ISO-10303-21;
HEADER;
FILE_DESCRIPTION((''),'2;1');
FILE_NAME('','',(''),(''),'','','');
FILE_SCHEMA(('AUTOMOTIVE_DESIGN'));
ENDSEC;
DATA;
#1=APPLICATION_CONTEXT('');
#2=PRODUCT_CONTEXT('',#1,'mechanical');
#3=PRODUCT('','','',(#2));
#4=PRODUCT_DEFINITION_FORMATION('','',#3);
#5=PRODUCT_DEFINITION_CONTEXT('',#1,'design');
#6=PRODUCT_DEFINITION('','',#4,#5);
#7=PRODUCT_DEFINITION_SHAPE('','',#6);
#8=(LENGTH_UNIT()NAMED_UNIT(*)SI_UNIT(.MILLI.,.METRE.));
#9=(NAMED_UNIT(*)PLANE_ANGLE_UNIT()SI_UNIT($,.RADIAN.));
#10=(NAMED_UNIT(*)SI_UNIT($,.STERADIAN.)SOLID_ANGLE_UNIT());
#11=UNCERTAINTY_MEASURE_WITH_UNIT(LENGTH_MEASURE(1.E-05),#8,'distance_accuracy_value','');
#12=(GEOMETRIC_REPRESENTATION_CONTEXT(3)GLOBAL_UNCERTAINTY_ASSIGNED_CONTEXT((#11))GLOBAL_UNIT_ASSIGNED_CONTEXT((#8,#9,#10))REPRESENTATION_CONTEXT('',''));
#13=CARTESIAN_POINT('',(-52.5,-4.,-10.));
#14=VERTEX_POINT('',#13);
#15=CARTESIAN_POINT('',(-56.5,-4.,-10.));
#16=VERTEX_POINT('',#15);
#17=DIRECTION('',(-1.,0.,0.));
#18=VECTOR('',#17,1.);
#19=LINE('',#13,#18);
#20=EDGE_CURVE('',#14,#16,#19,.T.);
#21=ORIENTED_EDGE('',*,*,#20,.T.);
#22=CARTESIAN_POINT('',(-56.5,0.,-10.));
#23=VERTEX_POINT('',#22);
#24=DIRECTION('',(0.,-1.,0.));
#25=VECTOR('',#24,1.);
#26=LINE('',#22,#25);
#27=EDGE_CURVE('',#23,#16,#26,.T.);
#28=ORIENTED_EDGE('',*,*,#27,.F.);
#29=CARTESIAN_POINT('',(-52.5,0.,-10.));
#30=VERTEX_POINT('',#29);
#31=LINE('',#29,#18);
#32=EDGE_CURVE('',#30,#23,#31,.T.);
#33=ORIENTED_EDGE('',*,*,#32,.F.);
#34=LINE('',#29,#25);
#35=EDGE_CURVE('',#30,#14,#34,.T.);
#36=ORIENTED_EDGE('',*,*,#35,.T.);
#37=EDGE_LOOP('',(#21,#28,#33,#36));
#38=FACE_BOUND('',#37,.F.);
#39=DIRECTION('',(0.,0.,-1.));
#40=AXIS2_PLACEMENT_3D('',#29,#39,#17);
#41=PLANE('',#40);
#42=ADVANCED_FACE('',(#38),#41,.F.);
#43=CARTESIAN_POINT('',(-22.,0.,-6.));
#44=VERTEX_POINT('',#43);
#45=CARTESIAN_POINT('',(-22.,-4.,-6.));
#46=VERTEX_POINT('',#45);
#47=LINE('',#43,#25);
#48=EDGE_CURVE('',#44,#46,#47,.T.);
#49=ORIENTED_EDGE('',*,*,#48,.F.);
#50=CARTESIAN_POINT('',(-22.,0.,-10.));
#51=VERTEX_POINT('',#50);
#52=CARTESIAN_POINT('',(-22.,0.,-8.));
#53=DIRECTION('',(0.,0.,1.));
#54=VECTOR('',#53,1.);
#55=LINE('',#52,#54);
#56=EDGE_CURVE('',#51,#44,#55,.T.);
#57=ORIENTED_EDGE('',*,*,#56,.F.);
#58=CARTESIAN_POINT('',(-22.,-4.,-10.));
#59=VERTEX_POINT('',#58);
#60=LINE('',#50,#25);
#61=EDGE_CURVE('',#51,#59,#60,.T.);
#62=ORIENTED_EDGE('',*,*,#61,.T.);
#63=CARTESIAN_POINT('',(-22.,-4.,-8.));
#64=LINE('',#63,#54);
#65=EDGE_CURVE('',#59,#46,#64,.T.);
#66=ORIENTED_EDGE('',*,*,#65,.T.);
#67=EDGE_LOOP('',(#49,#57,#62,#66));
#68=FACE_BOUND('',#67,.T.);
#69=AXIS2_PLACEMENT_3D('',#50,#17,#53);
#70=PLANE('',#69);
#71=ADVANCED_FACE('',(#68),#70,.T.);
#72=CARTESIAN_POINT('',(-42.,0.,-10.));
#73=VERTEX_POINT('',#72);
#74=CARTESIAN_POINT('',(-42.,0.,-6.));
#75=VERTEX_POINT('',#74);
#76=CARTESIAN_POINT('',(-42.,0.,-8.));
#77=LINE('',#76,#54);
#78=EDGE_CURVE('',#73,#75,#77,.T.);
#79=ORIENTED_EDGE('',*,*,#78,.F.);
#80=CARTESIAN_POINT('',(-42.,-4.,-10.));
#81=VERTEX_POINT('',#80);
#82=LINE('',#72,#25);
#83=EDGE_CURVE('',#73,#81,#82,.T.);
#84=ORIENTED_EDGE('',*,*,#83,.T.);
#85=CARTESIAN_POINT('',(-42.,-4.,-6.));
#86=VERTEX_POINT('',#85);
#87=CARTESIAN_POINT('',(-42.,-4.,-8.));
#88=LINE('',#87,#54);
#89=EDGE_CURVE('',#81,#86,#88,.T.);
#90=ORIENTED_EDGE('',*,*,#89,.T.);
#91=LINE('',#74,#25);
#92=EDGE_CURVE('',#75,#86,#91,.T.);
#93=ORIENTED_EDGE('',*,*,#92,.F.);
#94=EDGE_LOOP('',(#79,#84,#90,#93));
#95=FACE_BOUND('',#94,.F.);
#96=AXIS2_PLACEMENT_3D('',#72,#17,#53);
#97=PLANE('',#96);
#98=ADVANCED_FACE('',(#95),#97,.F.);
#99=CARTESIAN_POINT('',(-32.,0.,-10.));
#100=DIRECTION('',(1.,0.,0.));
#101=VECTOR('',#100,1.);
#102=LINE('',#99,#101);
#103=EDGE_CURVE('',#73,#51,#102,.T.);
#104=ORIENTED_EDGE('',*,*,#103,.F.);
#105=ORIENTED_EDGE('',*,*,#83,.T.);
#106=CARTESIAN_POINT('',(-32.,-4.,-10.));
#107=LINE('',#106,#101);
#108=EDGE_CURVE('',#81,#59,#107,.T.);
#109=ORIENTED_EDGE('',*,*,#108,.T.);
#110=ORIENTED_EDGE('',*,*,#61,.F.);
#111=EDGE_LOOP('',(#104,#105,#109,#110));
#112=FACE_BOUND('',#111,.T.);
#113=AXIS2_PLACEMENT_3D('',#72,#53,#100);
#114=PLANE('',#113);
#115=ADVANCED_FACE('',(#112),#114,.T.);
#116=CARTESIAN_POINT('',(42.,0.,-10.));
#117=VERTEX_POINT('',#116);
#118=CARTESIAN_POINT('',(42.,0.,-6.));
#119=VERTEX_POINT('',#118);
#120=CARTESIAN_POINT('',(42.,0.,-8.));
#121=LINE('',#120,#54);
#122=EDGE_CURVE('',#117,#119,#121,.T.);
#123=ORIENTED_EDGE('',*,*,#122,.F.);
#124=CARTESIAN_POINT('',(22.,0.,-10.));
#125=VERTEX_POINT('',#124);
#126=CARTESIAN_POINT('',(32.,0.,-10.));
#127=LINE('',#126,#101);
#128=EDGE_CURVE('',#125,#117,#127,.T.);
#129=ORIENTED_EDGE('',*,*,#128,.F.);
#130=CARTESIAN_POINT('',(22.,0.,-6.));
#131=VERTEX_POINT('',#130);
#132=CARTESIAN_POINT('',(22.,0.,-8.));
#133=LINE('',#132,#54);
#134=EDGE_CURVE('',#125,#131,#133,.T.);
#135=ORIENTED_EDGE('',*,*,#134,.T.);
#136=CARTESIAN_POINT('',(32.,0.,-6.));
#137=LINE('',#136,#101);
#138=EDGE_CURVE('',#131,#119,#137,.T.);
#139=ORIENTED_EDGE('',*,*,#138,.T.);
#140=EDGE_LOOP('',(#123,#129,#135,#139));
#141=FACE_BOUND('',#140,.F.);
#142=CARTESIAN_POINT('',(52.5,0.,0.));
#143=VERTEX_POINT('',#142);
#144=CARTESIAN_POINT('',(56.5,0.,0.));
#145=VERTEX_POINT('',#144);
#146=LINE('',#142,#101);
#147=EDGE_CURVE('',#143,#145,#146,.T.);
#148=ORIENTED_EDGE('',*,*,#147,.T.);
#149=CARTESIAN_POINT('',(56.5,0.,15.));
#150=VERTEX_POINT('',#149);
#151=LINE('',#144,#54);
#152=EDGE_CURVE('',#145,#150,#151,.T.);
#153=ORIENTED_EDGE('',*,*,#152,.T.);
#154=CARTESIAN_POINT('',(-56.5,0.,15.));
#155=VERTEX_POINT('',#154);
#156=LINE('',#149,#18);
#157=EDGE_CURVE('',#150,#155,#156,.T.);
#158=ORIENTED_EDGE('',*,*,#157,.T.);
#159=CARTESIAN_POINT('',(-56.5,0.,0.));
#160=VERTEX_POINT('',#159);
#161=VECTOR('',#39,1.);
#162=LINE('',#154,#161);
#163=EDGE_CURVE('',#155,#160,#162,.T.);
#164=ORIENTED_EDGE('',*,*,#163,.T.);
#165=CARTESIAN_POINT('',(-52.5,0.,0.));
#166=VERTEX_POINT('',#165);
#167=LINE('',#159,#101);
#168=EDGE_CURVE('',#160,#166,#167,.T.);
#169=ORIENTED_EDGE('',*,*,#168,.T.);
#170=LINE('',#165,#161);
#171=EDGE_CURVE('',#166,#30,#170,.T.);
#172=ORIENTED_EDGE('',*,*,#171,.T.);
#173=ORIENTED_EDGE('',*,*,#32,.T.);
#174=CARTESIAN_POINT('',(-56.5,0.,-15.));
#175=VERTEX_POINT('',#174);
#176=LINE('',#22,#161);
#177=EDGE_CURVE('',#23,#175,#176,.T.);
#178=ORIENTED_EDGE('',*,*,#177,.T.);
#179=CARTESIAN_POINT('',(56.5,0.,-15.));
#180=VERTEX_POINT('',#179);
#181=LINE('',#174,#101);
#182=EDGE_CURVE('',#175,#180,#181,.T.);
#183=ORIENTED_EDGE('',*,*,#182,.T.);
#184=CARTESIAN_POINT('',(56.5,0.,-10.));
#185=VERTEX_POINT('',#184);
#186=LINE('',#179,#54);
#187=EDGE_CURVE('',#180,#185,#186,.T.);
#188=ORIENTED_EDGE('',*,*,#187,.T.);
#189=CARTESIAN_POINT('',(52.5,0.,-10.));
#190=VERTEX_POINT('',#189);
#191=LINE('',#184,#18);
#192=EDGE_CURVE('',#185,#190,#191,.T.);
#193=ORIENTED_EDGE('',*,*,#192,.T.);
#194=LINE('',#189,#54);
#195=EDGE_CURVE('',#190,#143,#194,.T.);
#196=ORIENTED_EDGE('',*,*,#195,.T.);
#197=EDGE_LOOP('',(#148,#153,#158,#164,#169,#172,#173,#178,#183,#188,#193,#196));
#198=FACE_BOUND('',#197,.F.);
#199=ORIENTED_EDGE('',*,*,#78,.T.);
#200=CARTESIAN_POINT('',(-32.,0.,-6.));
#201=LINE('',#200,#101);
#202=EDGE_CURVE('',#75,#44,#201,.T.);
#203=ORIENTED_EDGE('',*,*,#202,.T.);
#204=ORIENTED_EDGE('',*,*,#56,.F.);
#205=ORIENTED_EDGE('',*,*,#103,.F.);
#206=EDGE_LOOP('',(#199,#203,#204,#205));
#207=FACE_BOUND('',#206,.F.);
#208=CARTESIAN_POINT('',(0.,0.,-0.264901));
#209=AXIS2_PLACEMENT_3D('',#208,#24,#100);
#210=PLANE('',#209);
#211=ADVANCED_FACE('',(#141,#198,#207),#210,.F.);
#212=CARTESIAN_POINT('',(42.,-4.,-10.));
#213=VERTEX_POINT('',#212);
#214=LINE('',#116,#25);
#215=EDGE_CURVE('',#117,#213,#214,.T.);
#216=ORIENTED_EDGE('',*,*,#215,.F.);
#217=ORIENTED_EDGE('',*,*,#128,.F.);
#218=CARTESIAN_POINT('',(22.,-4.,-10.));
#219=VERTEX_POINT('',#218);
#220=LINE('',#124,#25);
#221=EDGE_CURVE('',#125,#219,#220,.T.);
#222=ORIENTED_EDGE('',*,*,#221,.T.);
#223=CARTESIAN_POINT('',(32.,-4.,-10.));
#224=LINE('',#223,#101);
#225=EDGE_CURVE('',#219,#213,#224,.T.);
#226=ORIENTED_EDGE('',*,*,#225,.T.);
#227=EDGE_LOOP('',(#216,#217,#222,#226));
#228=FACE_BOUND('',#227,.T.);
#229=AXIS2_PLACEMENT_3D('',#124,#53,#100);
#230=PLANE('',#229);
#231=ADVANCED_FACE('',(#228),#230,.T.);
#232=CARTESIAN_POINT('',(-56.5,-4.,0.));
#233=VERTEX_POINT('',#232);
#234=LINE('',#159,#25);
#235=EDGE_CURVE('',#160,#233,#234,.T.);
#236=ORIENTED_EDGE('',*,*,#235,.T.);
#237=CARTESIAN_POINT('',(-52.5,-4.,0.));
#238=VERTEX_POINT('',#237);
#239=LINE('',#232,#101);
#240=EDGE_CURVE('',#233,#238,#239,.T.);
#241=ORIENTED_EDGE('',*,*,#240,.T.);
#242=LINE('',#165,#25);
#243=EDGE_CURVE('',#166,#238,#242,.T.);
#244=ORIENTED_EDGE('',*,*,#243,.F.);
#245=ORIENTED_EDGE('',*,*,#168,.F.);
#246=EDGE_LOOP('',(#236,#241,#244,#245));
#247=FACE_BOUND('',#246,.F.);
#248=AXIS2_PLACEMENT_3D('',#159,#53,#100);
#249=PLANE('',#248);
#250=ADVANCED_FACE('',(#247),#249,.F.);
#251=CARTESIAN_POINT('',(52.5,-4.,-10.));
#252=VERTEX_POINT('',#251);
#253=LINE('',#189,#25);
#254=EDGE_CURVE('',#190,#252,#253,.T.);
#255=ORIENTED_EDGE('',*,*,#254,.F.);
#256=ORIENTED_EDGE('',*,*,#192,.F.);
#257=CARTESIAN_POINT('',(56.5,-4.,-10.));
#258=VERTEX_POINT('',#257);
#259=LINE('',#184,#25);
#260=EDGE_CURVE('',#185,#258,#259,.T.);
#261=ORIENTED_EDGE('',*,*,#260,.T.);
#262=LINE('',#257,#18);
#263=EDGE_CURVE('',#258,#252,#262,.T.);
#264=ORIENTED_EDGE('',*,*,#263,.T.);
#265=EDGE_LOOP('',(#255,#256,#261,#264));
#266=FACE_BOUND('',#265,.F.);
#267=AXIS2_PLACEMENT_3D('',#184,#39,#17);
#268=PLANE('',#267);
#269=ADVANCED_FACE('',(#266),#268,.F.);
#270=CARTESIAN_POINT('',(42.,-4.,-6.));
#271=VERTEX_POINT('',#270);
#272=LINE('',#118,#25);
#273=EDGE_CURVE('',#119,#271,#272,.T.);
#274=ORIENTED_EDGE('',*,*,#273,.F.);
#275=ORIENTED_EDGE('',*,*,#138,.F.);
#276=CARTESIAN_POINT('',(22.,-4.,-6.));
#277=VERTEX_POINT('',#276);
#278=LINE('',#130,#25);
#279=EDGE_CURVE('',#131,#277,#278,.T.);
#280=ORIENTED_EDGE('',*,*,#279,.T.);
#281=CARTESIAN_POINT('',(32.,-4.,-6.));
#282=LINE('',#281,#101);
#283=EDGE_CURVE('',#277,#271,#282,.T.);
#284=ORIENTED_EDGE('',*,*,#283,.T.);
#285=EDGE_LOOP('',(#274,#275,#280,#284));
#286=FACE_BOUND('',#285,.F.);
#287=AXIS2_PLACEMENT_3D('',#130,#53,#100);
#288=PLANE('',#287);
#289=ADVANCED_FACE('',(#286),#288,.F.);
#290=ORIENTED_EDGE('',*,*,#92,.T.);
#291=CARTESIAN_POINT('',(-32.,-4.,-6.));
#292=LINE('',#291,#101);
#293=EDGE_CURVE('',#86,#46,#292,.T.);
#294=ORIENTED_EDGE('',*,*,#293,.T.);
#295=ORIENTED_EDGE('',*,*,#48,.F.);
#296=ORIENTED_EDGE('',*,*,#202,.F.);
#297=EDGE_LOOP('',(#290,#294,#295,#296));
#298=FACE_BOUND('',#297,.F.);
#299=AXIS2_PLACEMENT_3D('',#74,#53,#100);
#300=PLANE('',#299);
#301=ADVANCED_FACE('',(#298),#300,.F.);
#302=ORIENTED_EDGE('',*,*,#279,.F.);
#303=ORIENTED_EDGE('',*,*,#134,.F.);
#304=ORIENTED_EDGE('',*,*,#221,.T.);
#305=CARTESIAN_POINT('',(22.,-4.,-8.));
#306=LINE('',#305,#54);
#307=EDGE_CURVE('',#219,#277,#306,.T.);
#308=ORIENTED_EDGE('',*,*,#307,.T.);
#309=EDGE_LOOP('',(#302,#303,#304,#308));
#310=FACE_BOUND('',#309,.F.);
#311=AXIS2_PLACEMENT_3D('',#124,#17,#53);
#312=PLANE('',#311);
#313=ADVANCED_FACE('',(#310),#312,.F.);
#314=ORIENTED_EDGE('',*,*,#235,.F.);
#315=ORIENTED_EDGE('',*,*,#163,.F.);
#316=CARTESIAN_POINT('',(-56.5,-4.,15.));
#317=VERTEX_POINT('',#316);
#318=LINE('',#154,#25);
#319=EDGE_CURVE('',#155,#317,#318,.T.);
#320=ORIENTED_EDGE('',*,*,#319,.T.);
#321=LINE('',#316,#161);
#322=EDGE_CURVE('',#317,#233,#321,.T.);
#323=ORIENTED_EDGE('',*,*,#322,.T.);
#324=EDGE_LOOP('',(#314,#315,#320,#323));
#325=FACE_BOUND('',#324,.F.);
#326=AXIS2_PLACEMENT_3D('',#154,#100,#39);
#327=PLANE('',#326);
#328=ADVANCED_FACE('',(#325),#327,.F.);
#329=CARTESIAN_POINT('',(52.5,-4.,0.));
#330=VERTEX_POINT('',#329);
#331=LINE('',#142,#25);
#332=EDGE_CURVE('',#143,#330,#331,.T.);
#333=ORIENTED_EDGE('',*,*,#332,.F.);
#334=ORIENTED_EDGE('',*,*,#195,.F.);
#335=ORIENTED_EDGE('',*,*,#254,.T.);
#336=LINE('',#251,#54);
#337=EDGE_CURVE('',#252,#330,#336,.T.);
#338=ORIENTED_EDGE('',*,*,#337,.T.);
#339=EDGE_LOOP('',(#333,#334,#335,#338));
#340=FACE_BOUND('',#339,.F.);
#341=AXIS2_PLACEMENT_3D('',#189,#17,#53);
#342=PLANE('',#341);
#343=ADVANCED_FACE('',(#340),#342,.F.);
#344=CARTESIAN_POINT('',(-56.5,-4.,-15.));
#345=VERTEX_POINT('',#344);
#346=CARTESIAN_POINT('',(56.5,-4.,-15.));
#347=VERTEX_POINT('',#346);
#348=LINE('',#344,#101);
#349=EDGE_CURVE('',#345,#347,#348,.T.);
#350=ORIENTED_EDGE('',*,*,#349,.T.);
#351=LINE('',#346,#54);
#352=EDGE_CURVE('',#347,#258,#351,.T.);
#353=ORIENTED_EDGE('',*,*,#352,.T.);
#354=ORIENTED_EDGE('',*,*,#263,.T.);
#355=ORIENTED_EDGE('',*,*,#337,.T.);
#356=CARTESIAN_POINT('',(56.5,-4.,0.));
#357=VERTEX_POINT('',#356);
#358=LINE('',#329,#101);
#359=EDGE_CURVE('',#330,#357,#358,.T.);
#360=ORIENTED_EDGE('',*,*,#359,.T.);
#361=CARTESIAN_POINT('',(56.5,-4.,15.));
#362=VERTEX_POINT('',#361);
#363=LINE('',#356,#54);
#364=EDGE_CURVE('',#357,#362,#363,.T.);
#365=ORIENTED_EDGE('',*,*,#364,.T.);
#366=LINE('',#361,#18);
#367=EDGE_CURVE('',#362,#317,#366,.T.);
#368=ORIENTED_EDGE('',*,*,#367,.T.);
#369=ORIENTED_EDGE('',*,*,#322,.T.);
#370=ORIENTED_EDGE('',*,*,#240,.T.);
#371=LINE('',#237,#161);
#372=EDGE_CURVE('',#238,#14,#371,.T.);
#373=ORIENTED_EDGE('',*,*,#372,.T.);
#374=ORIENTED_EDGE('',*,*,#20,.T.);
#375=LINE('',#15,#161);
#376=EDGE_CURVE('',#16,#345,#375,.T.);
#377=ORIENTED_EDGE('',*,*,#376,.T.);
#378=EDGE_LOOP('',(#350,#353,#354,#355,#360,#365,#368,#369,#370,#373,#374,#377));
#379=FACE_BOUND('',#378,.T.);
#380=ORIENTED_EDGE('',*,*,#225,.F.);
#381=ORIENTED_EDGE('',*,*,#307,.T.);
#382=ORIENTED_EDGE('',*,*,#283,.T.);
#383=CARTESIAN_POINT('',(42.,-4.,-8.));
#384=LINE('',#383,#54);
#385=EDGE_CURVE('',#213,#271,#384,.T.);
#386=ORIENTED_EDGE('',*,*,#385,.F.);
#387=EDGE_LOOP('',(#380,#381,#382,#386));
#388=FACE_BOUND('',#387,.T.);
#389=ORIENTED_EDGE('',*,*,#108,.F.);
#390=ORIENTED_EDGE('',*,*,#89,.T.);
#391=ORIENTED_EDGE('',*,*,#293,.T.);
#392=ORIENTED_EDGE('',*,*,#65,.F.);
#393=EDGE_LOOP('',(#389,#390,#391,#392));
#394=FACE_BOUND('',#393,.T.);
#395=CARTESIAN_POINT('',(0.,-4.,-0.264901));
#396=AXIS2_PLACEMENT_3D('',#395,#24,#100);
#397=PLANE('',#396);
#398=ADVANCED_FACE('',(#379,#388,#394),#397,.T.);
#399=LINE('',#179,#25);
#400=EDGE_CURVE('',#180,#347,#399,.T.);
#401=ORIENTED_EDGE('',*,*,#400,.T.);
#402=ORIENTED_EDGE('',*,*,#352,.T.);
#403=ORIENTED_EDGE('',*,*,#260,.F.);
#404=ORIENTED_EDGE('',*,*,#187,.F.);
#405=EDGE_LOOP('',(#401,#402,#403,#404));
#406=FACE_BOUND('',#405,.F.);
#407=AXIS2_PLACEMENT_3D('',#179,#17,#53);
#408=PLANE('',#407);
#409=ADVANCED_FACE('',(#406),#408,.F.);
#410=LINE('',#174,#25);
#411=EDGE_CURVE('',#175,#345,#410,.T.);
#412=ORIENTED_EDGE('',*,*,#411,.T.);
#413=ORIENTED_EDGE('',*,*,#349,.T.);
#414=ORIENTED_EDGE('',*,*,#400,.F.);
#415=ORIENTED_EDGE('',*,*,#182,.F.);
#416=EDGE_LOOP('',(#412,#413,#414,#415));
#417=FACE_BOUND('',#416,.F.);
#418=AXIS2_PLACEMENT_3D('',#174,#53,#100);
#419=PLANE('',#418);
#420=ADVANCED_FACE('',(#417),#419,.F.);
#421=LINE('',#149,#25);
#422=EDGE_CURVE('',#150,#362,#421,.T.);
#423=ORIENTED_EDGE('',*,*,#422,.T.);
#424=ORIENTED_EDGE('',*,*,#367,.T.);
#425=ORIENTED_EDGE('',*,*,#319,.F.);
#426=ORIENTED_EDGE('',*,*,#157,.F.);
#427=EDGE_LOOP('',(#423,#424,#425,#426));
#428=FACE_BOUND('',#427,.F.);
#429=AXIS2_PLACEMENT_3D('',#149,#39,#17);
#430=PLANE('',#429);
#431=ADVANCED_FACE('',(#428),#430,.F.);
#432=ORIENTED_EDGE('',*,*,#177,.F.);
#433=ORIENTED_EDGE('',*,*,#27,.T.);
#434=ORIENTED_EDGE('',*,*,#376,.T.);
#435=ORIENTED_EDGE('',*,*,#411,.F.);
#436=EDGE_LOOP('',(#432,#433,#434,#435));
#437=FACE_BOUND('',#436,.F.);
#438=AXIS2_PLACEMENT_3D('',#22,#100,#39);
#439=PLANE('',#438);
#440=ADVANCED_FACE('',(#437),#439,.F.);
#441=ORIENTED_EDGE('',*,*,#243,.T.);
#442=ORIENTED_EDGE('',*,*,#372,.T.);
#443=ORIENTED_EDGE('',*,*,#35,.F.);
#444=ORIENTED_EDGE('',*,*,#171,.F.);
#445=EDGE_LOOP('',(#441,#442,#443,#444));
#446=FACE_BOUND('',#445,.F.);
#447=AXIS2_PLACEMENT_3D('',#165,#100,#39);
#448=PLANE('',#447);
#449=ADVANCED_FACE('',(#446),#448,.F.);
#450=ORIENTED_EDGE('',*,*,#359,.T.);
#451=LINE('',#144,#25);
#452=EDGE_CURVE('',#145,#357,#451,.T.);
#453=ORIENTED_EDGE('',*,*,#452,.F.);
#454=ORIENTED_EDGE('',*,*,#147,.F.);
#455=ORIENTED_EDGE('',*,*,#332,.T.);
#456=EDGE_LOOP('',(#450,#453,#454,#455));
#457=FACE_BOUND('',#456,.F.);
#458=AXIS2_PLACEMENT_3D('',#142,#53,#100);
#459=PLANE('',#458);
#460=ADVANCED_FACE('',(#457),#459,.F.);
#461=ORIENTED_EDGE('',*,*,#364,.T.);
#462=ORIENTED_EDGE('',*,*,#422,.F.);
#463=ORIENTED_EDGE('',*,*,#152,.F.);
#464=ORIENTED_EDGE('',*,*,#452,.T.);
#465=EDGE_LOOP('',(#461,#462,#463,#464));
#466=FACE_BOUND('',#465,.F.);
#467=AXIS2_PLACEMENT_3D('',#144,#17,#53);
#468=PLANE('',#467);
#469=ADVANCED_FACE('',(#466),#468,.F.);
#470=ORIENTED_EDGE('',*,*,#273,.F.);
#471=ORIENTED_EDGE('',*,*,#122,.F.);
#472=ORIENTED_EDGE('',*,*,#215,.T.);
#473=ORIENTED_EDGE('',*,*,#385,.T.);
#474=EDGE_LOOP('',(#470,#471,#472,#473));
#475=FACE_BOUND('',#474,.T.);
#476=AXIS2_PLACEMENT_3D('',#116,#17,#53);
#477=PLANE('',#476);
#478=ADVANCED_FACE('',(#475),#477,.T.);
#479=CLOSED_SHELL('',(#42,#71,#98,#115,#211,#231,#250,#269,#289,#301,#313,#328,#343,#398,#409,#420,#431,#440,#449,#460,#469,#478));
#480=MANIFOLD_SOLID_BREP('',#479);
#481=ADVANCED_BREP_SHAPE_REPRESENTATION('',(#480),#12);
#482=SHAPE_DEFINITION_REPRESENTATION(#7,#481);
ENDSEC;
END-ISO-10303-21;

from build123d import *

# Parameters (mm, degrees)
F0_W     = 20
F0_H     = 4
F1_DEPTH = 4


with BuildPart() as f1:
    # F0 (on Front) → F1 (new body)
    with BuildSketch(Plane.XZ):
        Polygon((56.5, 0), (56.5, 15), (-56.5, 15), (-56.5, 0), (-52.5, 0), (-52.5, -10), (-56.5, -10), (-56.5, -15), (56.5, -15), (56.5, -10), (52.5, -10), (52.5, 0), align=None)
        with Locations((-32, -8)):
            Rectangle(F0_W, F0_H, mode=Mode.SUBTRACT)
        with Locations((32, -8)):
            Rectangle(F0_W, F0_H, mode=Mode.SUBTRACT)
    extrude(amount=F1_DEPTH)


solid = f1.part
